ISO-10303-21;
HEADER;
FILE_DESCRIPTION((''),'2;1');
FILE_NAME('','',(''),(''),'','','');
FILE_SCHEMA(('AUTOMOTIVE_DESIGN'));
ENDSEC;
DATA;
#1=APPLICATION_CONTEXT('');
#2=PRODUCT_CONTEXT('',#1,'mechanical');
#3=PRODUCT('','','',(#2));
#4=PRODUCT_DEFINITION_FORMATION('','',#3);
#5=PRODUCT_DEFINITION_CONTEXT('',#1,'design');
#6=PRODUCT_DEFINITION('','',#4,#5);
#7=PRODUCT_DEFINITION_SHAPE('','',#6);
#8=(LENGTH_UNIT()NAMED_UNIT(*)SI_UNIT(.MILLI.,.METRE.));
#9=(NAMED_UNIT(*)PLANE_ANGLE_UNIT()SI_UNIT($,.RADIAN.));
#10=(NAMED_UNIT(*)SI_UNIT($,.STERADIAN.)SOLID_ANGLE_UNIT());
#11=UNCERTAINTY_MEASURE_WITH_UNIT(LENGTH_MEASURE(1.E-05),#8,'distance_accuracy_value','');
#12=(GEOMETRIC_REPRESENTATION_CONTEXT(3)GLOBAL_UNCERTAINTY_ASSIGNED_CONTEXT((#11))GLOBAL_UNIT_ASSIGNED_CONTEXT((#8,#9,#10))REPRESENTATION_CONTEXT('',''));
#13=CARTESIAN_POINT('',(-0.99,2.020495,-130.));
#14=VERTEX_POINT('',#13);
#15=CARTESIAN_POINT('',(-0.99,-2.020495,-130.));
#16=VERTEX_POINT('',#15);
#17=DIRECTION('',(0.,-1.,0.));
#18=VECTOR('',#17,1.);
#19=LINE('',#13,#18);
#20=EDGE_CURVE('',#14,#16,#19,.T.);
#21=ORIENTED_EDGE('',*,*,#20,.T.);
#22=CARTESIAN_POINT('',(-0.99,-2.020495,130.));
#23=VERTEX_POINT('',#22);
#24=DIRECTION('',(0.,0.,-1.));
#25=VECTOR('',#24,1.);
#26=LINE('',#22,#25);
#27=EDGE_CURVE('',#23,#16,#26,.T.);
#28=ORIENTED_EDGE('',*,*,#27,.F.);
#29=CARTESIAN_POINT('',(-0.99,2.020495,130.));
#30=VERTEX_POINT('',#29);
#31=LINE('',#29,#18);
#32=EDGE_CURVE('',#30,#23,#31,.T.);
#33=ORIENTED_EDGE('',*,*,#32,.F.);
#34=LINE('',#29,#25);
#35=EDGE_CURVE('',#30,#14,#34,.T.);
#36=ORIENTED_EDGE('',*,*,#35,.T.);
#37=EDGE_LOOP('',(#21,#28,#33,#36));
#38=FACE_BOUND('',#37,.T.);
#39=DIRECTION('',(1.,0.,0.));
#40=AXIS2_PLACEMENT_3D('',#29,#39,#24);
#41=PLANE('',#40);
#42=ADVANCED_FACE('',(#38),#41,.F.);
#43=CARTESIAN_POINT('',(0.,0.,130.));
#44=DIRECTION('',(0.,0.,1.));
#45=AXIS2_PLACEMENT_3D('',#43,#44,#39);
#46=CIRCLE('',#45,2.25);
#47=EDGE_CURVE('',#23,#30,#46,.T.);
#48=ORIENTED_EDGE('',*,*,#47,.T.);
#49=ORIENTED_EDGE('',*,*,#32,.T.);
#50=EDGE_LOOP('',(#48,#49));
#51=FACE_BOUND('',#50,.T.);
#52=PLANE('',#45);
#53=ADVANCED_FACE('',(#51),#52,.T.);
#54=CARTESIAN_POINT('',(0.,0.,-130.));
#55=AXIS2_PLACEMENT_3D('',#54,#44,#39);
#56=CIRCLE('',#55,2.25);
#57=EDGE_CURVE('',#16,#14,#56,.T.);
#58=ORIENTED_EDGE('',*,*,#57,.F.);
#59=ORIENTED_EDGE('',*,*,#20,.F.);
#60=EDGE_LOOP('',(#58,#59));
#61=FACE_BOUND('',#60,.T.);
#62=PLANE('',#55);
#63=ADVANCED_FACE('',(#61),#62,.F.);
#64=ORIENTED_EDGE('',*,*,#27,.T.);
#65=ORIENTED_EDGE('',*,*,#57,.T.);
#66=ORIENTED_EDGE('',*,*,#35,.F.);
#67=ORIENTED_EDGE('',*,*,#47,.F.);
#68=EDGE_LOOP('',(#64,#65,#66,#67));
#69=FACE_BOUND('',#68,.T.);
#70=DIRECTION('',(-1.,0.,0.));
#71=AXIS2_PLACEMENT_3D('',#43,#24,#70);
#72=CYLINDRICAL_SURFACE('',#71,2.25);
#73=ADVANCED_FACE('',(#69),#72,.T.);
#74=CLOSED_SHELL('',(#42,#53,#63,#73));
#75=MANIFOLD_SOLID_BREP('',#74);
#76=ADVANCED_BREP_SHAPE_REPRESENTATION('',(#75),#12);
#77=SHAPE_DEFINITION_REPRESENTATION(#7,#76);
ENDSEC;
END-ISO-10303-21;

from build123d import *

# Parameters (mm, degrees)
BOSS_EXTRUDE1_DEPTH = 130


with BuildPart() as part:
    # Sketch1 → Boss-Extrude1 (new body, symmetric)
    with BuildSketch(Plane.XY):
        with BuildLine():
            Line((-0.99, 2.020494989), (-0.99, -2.020494989))
            ThreePointArc((-0.99, -2.020494989), (2.25, 0), (-0.99, 2.020494989))
        make_face()
    extrude(amount=BOSS_EXTRUDE1_DEPTH, both=True)


solid = part.part
